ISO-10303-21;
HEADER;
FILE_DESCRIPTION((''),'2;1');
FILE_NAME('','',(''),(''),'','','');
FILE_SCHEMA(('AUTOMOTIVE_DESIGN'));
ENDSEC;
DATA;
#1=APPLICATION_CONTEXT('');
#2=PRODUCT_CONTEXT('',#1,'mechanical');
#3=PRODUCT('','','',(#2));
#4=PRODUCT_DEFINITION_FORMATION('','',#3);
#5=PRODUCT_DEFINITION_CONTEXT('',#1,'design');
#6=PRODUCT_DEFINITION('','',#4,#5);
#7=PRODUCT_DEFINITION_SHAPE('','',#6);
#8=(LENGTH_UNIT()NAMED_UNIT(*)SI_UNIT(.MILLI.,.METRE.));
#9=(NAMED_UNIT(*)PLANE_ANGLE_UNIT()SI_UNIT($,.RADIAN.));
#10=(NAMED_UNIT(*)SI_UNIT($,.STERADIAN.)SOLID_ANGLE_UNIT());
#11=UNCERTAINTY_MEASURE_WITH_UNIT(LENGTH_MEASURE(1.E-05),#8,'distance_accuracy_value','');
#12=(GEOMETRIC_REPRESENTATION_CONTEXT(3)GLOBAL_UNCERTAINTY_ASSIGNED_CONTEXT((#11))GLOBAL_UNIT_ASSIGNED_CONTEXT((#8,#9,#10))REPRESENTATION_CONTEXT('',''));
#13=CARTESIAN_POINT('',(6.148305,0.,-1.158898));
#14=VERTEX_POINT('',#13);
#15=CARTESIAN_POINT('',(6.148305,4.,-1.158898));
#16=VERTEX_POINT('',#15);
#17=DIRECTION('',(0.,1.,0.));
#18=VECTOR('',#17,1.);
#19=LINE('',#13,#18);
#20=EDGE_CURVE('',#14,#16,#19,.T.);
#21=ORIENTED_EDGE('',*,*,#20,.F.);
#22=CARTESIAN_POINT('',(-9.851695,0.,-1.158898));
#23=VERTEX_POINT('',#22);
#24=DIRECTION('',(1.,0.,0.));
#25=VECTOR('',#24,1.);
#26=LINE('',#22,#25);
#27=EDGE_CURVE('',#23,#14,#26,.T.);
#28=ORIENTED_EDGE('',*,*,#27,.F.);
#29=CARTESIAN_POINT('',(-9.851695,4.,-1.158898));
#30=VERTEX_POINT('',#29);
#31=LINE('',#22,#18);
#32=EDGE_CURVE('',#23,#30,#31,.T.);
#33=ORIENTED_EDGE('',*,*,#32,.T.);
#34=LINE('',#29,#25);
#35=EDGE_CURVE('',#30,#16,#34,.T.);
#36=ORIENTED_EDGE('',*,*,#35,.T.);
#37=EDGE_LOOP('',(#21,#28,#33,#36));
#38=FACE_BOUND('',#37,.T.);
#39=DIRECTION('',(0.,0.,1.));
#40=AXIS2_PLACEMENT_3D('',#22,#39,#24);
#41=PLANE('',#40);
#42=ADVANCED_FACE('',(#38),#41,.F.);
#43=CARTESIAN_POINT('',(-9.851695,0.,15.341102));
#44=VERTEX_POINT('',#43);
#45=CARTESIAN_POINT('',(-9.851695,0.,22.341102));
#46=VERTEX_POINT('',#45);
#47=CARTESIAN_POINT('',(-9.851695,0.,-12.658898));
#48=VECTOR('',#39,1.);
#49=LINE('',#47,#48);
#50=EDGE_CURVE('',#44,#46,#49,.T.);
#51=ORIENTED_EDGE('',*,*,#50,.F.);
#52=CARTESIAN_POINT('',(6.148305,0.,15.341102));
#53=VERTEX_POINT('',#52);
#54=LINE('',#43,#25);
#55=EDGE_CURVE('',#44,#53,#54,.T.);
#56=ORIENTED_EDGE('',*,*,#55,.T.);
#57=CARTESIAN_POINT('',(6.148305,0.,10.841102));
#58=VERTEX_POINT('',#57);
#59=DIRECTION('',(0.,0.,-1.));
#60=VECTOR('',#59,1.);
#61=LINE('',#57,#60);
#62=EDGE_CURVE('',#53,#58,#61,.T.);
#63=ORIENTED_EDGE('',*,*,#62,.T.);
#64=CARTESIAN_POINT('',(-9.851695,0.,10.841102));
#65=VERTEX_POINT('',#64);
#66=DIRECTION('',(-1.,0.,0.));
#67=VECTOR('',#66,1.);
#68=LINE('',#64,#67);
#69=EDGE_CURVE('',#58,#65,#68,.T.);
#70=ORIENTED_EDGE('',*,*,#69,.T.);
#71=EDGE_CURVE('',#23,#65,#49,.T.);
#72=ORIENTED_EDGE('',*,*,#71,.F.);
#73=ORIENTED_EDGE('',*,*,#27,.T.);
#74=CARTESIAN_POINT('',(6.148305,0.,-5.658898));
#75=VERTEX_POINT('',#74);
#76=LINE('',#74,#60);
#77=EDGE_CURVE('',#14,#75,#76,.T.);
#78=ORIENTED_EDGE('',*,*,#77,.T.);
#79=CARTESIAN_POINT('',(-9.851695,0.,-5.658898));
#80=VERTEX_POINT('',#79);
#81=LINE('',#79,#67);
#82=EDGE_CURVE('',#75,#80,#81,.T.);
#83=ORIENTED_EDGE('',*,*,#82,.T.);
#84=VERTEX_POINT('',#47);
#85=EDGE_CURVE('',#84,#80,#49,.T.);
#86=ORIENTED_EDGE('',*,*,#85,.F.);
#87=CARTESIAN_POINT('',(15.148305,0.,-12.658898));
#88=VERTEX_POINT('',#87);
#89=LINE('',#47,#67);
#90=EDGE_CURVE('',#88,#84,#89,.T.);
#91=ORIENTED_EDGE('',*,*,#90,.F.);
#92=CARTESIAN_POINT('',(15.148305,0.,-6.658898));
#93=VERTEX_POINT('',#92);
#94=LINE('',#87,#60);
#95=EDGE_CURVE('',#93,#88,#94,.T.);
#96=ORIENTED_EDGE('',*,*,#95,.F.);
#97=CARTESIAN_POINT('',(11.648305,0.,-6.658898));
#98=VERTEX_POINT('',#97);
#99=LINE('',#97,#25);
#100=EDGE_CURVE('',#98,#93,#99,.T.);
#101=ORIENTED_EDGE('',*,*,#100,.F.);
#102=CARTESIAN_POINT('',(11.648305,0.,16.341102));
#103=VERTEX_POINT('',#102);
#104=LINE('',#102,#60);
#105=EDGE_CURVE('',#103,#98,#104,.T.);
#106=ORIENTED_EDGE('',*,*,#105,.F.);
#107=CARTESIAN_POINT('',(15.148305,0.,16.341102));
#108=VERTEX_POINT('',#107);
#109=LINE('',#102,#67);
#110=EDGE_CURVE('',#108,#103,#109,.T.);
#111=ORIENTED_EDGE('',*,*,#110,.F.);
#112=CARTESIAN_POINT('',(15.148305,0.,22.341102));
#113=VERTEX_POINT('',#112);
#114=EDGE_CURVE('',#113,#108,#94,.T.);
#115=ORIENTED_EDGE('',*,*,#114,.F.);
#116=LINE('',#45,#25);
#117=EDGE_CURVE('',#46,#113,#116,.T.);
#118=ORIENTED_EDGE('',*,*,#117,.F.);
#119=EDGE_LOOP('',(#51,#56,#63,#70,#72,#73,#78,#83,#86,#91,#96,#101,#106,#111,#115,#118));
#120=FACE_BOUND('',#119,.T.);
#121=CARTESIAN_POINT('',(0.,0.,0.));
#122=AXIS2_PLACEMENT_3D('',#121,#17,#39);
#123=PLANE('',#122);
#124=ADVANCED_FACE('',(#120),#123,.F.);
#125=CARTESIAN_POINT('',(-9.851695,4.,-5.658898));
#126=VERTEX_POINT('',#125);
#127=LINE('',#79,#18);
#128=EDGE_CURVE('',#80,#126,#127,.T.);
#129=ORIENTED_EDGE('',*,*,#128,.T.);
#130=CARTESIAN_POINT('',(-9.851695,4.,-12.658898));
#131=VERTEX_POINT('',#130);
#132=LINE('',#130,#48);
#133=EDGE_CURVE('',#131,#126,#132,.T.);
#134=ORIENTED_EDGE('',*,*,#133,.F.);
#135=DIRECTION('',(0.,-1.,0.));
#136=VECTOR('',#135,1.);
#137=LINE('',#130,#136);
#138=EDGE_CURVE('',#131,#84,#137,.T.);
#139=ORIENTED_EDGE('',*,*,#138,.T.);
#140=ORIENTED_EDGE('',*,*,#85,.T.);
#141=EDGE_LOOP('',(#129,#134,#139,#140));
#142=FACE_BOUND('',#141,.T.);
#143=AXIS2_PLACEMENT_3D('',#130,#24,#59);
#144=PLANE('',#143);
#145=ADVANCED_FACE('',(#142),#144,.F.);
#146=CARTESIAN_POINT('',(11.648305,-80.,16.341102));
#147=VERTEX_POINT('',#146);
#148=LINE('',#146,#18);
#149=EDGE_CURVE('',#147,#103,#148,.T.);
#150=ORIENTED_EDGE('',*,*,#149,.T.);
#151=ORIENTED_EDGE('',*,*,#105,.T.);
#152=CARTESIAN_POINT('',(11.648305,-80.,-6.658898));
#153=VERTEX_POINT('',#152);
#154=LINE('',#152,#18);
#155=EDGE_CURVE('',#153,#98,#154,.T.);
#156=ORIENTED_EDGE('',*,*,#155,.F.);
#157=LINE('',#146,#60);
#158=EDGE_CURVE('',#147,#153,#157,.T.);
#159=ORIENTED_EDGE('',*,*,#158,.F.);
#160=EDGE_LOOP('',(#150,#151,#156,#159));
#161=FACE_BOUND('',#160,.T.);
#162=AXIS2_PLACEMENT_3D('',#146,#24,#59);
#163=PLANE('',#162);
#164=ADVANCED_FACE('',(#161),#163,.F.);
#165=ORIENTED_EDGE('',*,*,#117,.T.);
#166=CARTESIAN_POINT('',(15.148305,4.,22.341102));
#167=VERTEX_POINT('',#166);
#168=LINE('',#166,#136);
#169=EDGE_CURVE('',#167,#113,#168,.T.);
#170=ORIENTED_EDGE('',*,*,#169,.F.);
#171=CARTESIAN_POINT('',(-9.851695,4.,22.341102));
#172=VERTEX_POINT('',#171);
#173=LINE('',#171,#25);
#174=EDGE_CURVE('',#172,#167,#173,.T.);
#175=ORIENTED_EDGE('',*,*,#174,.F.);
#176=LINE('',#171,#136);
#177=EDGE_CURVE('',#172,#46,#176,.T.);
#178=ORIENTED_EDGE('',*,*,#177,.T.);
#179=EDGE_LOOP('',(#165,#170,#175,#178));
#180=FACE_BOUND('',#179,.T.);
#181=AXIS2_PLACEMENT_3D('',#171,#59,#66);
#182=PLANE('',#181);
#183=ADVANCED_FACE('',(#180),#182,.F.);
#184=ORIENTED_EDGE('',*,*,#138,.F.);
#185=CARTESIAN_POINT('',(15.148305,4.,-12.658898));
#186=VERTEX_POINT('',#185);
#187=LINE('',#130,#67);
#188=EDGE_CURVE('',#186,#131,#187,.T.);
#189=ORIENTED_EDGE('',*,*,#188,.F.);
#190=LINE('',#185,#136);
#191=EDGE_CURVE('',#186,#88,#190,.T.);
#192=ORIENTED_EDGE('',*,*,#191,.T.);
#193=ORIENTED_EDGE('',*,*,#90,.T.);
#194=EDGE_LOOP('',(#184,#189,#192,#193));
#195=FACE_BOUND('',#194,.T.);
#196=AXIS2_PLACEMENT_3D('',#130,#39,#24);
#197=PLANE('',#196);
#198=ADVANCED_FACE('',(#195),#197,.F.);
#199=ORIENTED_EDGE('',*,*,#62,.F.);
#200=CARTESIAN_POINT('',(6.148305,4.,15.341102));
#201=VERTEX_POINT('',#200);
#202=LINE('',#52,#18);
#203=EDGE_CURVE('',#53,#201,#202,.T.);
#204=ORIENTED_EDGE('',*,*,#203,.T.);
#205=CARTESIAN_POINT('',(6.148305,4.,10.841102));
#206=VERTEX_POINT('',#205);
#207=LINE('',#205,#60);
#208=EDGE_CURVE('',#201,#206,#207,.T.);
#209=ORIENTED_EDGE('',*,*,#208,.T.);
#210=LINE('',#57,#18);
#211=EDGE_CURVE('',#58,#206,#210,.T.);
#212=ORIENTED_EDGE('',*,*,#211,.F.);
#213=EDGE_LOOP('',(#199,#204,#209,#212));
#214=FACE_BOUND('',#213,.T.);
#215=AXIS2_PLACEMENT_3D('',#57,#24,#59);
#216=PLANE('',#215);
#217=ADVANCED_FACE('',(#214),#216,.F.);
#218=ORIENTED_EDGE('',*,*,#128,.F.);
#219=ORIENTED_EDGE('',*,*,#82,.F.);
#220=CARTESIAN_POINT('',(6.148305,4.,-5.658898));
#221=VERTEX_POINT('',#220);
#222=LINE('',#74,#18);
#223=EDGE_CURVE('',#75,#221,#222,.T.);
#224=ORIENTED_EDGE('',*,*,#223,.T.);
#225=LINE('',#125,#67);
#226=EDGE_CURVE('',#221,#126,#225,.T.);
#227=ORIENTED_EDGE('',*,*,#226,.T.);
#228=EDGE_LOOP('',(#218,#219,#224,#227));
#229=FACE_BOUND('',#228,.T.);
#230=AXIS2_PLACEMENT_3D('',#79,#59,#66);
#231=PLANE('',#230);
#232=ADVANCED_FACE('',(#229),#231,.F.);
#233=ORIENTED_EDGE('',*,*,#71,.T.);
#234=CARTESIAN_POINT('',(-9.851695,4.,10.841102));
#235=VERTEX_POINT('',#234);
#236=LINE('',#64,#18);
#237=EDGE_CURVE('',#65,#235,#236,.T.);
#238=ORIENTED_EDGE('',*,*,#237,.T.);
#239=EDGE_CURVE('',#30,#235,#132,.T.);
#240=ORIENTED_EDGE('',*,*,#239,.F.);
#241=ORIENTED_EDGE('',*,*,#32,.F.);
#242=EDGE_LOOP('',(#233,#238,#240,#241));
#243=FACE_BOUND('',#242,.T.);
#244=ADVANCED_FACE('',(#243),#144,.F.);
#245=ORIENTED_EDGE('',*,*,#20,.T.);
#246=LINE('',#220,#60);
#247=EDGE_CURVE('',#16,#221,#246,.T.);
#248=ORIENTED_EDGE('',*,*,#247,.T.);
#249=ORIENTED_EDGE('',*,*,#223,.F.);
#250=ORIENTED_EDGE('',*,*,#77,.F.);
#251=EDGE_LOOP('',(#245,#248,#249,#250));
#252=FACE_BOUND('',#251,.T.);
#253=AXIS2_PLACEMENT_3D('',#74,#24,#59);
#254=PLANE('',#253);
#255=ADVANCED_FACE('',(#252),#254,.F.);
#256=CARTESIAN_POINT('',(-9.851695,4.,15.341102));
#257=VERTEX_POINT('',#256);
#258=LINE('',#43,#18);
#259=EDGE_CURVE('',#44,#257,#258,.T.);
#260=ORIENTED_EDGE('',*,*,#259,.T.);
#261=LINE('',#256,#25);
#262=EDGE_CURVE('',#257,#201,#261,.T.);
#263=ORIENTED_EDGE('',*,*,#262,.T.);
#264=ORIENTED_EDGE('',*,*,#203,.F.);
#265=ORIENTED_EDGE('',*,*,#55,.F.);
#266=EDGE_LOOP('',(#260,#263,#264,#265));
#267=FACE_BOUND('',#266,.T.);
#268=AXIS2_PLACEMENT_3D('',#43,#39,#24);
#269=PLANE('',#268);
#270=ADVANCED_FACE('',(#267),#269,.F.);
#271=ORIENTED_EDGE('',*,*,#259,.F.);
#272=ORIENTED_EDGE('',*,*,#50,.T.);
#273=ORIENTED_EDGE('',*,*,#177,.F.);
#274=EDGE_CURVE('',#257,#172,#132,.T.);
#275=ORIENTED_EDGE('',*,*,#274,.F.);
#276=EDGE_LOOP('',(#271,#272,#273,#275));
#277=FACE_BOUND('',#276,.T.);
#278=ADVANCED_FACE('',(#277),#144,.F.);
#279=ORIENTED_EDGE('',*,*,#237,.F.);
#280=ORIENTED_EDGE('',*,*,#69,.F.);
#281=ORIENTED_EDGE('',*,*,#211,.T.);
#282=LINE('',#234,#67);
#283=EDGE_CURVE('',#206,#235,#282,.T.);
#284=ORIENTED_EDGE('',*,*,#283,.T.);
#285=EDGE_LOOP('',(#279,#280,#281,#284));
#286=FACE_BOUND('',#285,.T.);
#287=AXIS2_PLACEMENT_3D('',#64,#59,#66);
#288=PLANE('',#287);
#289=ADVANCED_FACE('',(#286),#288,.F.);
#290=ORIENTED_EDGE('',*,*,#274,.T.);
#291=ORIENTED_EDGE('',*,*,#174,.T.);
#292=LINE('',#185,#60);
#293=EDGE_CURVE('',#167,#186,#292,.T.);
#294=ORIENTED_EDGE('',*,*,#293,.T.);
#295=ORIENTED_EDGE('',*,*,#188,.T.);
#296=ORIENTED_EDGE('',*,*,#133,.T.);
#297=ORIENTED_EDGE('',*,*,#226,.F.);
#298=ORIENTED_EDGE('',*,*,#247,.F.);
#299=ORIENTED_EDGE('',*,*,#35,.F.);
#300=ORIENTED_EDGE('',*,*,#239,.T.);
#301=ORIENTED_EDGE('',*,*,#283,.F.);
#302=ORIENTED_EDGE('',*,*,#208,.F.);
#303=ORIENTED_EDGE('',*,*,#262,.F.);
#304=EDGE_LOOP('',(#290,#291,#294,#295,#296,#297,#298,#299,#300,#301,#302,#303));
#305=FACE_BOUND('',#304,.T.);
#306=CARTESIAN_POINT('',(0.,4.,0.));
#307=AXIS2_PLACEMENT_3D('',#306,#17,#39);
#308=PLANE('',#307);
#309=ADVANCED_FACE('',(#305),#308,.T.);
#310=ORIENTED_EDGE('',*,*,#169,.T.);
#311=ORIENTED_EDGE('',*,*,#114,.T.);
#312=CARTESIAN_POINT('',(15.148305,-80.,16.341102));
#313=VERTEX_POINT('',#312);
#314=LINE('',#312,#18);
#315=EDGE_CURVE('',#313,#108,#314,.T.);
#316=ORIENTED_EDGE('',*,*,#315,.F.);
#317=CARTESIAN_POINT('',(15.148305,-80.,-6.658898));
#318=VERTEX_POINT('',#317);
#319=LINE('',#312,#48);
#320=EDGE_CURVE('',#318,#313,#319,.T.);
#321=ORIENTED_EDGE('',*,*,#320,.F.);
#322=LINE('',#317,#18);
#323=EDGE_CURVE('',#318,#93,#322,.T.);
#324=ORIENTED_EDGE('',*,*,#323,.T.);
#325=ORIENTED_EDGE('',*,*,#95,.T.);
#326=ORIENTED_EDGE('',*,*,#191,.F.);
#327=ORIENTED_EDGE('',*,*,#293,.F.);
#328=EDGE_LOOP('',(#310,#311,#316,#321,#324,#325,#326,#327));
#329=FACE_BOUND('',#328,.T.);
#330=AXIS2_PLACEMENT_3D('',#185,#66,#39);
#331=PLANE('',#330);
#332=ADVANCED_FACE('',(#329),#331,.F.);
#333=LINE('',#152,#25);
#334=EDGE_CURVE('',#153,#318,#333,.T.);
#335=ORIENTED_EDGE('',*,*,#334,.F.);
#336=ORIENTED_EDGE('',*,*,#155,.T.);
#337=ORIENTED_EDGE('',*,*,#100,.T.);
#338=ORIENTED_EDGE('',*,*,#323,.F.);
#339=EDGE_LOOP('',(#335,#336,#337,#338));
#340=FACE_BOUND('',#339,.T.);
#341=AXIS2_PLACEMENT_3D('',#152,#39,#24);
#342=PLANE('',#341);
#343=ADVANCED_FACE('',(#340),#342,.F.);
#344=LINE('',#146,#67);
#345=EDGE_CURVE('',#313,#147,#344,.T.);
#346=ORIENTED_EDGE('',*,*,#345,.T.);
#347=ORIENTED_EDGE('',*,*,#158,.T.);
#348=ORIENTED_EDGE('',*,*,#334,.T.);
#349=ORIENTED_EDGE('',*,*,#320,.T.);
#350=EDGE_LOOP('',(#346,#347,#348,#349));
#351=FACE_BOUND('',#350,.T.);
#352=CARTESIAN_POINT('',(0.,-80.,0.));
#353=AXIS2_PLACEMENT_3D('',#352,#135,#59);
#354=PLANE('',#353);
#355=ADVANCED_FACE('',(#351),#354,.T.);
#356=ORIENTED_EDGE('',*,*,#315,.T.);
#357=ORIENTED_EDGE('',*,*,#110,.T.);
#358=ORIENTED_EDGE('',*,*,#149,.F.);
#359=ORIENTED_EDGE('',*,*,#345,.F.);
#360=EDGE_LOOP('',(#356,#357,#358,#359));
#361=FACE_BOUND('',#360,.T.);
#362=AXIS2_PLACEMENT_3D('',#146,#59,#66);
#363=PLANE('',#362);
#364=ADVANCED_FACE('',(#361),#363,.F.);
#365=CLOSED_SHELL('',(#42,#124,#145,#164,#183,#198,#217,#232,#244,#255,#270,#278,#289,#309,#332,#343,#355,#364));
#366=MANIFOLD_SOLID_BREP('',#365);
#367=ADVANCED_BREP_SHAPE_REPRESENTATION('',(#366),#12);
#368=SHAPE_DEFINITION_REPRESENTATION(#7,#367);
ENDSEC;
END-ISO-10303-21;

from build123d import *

# Parameters (mm, degrees)
SKETCH1_W           = 25
SKETCH1_H           = 35
BOSS_EXTRUDE1_DEPTH = 4
SKETCH2_W           = 16
SKETCH2_H           = 4.5
CUT_EXTRUDE1_DEPTH  = 4
SKETCH3_W           = 3.5
SKETCH3_H           = 23
BOSS_EXTRUDE2_DEPTH = 80


with BuildPart() as part:
    # Sketch1 → Boss-Extrude1 (new body)
    with BuildSketch(Plane(origin=(0, 0, 0), x_dir=(1, 0, 0), z_dir=(0, 1, 0))):
        with Locations((2.648305085, -4.841101695)):
            Rectangle(SKETCH1_W, SKETCH1_H)
    extrude(amount=BOSS_EXTRUDE1_DEPTH)

    # Sketch2 → Cut-Extrude1 (cut)
    with BuildSketch(Plane(origin=(0, 4, 0), x_dir=(1, 0, 0), z_dir=(0, 1, 0))):
        with Locations((-1.851694915, -13.091101695)):
            Rectangle(SKETCH2_W, SKETCH2_H)
        with Locations((-1.851694915, 3.408898305)):
            Rectangle(SKETCH2_W, SKETCH2_H)
    extrude(amount=-CUT_EXTRUDE1_DEPTH, mode=Mode.SUBTRACT)

    # Sketch3 → Boss-Extrude2 (add)
    with BuildSketch(Plane(origin=(0, 0, 0), x_dir=(-1, 0, 0), z_dir=(0, -1, 0))):
        with Locations((-13.398305085, -4.841101695)):
            Rectangle(SKETCH3_W, SKETCH3_H)
    extrude(amount=BOSS_EXTRUDE2_DEPTH)


solid = part.part
